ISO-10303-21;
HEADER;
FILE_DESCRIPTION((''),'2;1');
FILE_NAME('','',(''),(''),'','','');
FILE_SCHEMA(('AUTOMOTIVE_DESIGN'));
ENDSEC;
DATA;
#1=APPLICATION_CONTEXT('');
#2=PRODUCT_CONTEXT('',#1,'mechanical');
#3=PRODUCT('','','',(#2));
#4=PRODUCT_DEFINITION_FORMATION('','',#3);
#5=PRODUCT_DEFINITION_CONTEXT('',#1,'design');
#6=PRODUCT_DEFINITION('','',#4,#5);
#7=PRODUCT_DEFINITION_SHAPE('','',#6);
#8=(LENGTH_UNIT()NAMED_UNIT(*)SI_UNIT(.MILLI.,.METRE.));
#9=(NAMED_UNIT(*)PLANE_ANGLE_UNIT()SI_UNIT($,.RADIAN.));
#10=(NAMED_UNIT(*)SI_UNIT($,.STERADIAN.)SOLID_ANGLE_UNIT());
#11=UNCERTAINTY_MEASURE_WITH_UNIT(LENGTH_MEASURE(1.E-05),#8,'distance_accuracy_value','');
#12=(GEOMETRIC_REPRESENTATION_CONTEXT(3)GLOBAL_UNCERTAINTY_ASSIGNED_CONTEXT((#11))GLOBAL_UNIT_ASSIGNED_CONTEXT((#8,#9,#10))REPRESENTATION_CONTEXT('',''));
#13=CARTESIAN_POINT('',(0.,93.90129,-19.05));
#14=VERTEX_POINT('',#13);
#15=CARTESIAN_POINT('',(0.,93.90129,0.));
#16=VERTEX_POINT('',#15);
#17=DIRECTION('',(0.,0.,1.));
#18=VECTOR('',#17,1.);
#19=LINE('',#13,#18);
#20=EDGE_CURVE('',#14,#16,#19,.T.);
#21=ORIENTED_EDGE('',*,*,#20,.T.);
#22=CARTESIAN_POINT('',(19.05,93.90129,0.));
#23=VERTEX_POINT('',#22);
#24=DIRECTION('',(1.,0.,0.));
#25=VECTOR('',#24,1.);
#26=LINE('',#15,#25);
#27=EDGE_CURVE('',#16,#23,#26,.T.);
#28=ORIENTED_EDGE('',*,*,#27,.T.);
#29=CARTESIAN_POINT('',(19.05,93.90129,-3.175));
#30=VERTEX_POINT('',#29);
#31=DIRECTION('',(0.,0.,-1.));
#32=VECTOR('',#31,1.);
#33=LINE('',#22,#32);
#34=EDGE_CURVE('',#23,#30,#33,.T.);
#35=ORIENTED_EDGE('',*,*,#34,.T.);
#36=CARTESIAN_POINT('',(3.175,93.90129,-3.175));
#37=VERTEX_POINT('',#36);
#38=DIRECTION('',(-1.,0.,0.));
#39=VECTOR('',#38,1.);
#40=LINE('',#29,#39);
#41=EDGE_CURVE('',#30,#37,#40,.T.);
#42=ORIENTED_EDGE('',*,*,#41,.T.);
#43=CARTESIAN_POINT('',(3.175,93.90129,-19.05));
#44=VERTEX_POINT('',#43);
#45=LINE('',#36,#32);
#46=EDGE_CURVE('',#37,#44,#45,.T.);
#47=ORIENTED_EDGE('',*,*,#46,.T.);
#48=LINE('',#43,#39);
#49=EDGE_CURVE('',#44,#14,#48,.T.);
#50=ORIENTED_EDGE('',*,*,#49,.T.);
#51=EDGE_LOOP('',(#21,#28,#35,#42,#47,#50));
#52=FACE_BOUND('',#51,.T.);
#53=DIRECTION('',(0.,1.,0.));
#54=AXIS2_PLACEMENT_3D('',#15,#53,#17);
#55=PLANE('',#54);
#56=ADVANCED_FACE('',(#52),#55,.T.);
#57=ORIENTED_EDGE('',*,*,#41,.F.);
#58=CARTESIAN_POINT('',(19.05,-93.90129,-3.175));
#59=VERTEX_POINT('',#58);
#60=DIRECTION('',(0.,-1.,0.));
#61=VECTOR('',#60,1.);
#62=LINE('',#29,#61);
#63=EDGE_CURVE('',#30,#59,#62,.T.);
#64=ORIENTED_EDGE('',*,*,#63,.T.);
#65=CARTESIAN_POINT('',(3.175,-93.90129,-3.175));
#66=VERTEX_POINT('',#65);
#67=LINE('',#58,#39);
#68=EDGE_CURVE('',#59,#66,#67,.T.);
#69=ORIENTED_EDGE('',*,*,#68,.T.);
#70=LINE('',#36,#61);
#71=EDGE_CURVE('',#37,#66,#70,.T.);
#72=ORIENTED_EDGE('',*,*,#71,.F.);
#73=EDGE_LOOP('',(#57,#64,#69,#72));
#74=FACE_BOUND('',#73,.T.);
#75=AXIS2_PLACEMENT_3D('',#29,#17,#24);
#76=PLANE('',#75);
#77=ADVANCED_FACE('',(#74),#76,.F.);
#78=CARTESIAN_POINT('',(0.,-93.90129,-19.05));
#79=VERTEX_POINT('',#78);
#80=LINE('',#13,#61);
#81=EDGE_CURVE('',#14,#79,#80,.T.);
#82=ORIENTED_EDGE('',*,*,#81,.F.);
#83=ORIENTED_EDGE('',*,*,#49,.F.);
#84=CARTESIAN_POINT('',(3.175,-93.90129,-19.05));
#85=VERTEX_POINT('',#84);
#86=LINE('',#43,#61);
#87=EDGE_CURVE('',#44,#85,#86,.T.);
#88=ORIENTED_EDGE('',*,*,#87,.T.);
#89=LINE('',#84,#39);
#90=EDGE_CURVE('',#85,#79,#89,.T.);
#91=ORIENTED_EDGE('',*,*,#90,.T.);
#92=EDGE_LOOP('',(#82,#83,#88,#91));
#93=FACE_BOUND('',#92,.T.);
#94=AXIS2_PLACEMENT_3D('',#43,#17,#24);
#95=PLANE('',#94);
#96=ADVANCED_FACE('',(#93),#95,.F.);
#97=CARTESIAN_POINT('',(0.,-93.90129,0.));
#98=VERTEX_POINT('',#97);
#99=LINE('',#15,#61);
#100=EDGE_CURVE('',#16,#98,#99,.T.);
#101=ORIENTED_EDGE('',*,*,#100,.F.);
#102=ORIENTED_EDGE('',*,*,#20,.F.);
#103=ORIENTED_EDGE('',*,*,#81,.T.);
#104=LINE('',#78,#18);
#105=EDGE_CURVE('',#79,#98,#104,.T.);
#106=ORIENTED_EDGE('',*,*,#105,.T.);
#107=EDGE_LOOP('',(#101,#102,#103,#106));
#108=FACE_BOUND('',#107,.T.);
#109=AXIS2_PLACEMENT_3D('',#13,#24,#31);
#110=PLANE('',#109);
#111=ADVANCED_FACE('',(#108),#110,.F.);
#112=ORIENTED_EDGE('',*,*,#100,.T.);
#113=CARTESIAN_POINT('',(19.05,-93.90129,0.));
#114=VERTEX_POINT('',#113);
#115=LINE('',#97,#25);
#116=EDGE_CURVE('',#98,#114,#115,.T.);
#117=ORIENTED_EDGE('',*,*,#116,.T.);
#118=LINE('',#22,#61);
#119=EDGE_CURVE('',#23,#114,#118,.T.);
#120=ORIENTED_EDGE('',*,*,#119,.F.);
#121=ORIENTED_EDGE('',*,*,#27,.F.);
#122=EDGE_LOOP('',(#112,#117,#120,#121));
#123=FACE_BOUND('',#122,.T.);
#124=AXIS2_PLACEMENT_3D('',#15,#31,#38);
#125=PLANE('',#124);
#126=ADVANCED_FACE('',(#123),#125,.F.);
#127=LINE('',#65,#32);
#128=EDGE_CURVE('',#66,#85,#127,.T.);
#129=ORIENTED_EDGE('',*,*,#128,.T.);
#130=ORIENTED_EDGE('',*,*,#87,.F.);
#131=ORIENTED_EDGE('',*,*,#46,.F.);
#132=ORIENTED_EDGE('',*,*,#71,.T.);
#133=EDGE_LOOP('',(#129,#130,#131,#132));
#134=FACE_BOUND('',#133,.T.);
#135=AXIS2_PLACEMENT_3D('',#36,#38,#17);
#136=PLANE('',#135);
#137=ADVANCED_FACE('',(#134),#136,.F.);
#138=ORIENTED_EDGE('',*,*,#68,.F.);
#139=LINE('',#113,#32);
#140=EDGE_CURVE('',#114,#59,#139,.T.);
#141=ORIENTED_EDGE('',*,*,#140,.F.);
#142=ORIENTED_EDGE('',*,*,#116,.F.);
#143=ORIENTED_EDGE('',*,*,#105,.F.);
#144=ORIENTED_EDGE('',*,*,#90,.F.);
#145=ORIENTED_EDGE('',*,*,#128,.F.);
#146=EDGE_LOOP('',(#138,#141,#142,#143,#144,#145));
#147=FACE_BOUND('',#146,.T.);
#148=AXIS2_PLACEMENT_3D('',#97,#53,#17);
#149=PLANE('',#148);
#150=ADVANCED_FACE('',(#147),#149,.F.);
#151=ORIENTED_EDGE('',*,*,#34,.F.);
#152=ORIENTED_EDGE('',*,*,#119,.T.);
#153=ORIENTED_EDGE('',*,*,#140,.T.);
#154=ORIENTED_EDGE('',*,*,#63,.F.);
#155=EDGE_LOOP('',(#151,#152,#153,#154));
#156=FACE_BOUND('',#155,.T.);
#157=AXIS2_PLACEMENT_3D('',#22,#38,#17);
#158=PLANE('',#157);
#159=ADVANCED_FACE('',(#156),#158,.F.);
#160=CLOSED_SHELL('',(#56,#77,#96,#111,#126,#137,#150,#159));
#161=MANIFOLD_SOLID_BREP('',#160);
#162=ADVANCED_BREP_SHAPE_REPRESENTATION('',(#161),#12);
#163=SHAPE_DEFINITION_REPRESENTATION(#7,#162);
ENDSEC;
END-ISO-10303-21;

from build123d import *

# Parameters (mm, degrees)
SALIENTE_EXTRUIR1_DEPTH = 93.901290125


with BuildPart() as part:
    # Croquis1 → Saliente-Extruir1 (new, symmetric)
    with BuildSketch(Plane(origin=(0, 0, 0), x_dir=(1, 0, 0), z_dir=(0, 1, 0))):
        Polygon((0, 0), (19.05, 0), (19.05, 3.175), (3.175, 3.175), (3.175, 19.05), (0, 19.05), align=None)
    extrude(amount=SALIENTE_EXTRUIR1_DEPTH, both=True)


solid = part.part
